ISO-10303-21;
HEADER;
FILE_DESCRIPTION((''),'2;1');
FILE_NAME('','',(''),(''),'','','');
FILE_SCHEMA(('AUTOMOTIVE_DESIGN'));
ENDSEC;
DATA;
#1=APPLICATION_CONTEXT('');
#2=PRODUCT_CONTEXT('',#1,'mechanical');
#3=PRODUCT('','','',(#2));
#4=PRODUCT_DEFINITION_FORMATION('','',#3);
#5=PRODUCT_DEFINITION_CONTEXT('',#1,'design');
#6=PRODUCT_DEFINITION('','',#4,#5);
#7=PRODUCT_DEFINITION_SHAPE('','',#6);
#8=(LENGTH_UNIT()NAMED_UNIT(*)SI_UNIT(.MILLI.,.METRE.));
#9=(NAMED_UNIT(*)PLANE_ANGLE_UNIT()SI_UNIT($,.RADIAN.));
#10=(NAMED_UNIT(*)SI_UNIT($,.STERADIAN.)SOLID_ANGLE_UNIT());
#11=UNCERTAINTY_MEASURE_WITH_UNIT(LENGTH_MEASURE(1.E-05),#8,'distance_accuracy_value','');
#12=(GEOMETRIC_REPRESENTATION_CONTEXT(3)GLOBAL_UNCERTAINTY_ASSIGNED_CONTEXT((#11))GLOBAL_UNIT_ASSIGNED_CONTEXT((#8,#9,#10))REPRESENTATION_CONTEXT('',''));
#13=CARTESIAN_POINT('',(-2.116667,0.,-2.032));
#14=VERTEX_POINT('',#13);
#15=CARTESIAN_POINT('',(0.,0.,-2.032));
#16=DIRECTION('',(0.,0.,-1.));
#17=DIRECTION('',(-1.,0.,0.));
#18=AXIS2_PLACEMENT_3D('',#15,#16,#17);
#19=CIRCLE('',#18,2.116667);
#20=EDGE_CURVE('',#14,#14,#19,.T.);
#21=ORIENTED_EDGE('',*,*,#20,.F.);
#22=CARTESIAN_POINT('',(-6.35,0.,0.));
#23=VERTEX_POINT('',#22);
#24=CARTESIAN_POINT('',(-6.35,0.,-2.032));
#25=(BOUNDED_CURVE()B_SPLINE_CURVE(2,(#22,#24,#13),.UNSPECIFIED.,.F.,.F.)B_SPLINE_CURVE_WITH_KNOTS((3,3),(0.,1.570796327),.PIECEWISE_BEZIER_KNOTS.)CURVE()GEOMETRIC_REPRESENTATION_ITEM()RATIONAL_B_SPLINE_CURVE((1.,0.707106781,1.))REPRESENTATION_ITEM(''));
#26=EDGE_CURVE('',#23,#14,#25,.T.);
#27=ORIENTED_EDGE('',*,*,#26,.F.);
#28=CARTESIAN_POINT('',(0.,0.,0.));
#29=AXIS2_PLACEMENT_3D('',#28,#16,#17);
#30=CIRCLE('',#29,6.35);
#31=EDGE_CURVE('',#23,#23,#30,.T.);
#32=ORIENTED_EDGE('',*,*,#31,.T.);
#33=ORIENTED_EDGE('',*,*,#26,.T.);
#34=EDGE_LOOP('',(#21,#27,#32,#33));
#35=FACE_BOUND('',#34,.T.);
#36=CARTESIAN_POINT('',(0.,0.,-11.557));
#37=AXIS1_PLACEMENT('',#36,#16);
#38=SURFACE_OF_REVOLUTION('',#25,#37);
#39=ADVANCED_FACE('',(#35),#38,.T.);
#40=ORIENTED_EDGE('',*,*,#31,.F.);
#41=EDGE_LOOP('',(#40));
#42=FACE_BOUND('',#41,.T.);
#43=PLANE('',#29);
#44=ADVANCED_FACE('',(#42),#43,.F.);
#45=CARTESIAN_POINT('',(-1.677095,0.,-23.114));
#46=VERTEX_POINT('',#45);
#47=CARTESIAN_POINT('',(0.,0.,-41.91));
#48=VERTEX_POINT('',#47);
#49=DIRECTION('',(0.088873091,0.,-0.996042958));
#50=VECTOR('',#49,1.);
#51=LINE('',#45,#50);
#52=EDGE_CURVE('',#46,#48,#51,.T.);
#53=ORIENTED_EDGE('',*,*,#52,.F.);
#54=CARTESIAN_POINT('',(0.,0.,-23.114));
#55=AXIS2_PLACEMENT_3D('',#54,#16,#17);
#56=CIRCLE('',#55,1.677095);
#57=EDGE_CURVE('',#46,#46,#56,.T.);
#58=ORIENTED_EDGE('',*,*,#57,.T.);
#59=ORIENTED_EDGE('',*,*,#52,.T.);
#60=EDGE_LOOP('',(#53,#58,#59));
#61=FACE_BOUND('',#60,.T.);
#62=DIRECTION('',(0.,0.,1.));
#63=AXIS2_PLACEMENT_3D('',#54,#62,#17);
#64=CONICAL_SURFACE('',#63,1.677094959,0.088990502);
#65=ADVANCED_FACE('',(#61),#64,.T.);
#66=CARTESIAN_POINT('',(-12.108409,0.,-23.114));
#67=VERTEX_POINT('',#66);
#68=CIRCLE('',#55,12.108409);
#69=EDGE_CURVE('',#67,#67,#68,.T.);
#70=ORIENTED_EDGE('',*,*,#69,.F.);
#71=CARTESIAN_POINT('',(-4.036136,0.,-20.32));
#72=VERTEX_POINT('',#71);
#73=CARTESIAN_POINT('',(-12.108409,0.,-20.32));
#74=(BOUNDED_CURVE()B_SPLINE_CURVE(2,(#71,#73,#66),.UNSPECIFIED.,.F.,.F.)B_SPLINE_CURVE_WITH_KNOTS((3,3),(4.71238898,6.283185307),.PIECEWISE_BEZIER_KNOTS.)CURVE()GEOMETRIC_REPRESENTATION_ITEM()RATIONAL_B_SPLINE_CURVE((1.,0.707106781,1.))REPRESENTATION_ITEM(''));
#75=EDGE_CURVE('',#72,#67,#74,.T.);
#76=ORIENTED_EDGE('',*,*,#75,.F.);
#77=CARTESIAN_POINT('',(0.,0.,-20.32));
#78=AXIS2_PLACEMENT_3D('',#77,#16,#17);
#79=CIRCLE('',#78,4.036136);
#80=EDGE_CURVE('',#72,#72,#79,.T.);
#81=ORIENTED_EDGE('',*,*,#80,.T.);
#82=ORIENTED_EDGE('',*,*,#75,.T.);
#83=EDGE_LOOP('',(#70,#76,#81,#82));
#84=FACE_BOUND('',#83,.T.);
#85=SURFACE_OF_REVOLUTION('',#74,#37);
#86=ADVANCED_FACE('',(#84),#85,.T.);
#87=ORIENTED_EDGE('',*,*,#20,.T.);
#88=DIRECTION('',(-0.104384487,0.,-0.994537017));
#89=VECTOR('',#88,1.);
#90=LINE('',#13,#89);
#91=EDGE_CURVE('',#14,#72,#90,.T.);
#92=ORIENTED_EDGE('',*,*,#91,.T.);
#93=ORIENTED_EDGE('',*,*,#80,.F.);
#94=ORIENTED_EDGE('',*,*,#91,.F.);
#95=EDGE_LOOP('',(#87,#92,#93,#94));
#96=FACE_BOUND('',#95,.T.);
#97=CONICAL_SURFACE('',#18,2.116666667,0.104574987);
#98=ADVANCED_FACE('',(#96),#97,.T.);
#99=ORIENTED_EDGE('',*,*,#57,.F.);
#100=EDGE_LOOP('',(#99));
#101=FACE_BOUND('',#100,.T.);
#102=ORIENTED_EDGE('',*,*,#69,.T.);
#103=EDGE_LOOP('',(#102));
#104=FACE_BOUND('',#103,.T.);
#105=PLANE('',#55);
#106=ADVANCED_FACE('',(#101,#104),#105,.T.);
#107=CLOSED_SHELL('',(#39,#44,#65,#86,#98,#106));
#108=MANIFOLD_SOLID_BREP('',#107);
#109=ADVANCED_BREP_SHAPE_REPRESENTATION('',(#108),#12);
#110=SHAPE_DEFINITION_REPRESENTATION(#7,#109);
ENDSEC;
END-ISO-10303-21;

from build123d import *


with BuildPart() as f2:
    # F1 (on Front) → F2 (revolve)
    with BuildSketch(Plane.XZ):
        with BuildLine():
            Line((-2.1166666667, 0), (-6.35, 0))
            add(Edge.make_bspline(
                [(-6.35, 0), (-6.35, -2.032), (-2.1166666667, -2.032)],
                knots=[0, 0, 0, 1.5707963268, 1.5707963268, 1.5707963268], degree=2, weights=[1, 0.7071067812, 1]))
            Line((-2.1166666667, -2.032), (-2.1166666667, 0))
        make_face()
        Polygon((0, 0), (-2.1166666667, 0), (-2.1166666667, -2.032), (-4.0361362, -20.32), (-4.0361362, -23.114), (-1.6770949587, -23.114), (0, -23.114), align=None)
        with BuildLine():
            Line((-4.0361362, -23.114), (-4.0361362, -20.32))
            add(Edge.make_bspline(
                [(-4.0361362, -20.32), (-12.1084086, -20.32), (-12.1084086, -23.114)],
                knots=[4.7123889804, 4.7123889804, 4.7123889804, 6.2831853072, 6.2831853072, 6.2831853072], degree=2, weights=[1, 0.7071067812, 1]))
            Line((-12.1084086, -23.114), (-4.0361362, -23.114))
        make_face()
        Polygon((0, -41.91), (0, -23.114), (-1.6770949587, -23.114), align=None)
    revolve(axis=Axis((0, 0, -11.557), (0, 0, -1)))


solid = f2.part
